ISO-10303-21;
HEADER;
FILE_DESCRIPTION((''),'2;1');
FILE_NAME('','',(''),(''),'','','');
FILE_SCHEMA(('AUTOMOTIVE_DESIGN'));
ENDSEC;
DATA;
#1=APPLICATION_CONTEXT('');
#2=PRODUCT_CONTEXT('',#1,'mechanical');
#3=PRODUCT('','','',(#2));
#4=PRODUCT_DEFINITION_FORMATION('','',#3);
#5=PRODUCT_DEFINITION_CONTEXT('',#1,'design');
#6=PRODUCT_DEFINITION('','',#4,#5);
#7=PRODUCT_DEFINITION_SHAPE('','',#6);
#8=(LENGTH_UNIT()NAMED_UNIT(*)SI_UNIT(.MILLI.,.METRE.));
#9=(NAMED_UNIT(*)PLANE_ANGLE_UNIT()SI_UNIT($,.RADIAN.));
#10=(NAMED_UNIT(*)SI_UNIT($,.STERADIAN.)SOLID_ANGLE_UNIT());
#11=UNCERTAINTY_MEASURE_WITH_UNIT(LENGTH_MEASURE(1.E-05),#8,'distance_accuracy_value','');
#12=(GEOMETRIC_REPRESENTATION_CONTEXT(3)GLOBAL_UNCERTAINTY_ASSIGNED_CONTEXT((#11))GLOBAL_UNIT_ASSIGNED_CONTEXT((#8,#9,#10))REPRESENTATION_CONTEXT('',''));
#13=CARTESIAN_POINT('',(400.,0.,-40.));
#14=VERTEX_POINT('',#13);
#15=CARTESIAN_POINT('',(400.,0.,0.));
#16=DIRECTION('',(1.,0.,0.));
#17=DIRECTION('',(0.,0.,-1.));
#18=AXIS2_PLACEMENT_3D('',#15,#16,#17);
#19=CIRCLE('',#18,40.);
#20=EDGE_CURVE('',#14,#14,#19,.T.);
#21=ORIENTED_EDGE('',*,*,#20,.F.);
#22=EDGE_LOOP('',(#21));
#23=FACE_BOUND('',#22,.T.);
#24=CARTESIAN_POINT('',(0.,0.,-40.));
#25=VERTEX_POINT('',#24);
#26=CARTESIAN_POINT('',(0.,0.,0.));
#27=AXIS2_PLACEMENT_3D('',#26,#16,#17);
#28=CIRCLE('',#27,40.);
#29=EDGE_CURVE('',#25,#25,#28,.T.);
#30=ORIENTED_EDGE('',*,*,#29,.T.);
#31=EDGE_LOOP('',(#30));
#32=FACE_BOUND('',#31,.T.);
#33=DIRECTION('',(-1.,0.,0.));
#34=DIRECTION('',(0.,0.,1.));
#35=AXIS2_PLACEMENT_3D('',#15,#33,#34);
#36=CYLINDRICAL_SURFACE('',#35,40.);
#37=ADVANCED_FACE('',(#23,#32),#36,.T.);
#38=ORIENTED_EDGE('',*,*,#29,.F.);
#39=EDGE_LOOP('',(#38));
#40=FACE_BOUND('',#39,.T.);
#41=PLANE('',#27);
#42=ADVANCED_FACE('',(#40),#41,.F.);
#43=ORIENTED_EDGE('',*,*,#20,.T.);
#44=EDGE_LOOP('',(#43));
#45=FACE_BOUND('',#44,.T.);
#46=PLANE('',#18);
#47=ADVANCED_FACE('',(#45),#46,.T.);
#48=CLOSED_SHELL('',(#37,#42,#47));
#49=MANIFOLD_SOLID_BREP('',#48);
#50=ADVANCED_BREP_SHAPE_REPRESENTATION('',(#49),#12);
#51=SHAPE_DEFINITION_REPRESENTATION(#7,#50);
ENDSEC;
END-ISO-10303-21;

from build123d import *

# Parameters (mm, degrees)
RIVETPROFILE_R      = 40
BOSS_EXTRUDE1_DEPTH = 400


with BuildPart() as part:
    # RivetProfile → Boss-Extrude1 (new body)
    with BuildSketch(Plane(origin=(0, 0, 0), x_dir=(0, 0, -1), z_dir=(1, 0, 0))):
        Circle(RIVETPROFILE_R)
    extrude(amount=BOSS_EXTRUDE1_DEPTH)


solid = part.part
